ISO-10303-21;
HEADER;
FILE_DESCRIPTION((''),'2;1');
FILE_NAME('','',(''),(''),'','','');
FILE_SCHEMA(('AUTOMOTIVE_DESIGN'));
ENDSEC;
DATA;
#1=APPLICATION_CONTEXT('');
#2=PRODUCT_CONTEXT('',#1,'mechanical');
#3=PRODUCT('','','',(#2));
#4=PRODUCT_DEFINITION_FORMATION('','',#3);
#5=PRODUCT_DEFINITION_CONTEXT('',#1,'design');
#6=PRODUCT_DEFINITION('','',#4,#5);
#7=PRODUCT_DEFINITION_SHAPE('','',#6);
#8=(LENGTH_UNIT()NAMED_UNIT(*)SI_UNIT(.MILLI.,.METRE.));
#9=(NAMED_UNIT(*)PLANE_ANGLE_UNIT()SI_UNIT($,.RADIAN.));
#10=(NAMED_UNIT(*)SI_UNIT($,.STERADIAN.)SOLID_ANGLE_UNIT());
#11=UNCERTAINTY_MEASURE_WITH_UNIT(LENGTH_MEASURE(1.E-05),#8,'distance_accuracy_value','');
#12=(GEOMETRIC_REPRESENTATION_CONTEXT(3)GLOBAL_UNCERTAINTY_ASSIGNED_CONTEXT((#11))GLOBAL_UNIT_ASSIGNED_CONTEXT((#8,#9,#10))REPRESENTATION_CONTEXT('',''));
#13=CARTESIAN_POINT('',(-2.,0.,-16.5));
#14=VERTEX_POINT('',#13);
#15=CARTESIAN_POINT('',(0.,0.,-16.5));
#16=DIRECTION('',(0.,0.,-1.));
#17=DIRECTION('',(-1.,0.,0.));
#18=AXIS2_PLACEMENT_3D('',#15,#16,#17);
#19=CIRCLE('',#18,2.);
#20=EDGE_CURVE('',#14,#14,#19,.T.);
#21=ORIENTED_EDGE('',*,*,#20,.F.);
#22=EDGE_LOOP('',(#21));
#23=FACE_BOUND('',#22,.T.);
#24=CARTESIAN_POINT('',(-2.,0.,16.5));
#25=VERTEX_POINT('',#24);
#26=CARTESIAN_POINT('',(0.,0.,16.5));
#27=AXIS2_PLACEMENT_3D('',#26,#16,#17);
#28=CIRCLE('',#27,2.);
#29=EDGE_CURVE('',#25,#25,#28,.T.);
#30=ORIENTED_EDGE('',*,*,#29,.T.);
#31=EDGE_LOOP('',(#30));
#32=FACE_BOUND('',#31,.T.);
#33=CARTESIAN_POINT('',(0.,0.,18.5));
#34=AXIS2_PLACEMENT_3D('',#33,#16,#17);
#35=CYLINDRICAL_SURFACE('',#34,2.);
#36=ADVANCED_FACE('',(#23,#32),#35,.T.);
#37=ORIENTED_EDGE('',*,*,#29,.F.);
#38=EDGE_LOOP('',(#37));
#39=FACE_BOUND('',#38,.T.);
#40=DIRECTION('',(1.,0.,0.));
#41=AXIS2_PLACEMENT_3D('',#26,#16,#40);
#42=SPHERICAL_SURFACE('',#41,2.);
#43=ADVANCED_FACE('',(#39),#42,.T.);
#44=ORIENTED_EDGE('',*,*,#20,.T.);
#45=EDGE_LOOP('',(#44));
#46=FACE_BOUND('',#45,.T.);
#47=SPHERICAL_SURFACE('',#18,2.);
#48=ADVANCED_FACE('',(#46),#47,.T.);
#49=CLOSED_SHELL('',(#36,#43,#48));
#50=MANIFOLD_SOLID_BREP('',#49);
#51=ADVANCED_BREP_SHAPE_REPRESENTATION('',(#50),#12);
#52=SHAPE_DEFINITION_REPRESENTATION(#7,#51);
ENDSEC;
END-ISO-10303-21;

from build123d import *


with BuildPart() as part:
    # Sketch1 → Revolve1 (revolve)
    with BuildSketch(Plane.XZ, mode=Mode.PRIVATE) as revolve1_sk:
        with BuildLine():
            Line((0, 18.5), (0, -18.5))
            ThreePointArc((0, -18.5), (1.414213562, -17.914213562), (2, -16.5))
            Line((2, -16.5), (2, 16.5))
            ThreePointArc((2, 16.5), (1.414213562, 17.914213562), (0, 18.5))
        make_face()
    revolve(revolve1_sk.sketch.rotate(Axis((0, 0, 18.5), (0, 0, -1)), 180), axis=Axis((0, 0, 18.5), (0, 0, -1)))


solid = part.part
